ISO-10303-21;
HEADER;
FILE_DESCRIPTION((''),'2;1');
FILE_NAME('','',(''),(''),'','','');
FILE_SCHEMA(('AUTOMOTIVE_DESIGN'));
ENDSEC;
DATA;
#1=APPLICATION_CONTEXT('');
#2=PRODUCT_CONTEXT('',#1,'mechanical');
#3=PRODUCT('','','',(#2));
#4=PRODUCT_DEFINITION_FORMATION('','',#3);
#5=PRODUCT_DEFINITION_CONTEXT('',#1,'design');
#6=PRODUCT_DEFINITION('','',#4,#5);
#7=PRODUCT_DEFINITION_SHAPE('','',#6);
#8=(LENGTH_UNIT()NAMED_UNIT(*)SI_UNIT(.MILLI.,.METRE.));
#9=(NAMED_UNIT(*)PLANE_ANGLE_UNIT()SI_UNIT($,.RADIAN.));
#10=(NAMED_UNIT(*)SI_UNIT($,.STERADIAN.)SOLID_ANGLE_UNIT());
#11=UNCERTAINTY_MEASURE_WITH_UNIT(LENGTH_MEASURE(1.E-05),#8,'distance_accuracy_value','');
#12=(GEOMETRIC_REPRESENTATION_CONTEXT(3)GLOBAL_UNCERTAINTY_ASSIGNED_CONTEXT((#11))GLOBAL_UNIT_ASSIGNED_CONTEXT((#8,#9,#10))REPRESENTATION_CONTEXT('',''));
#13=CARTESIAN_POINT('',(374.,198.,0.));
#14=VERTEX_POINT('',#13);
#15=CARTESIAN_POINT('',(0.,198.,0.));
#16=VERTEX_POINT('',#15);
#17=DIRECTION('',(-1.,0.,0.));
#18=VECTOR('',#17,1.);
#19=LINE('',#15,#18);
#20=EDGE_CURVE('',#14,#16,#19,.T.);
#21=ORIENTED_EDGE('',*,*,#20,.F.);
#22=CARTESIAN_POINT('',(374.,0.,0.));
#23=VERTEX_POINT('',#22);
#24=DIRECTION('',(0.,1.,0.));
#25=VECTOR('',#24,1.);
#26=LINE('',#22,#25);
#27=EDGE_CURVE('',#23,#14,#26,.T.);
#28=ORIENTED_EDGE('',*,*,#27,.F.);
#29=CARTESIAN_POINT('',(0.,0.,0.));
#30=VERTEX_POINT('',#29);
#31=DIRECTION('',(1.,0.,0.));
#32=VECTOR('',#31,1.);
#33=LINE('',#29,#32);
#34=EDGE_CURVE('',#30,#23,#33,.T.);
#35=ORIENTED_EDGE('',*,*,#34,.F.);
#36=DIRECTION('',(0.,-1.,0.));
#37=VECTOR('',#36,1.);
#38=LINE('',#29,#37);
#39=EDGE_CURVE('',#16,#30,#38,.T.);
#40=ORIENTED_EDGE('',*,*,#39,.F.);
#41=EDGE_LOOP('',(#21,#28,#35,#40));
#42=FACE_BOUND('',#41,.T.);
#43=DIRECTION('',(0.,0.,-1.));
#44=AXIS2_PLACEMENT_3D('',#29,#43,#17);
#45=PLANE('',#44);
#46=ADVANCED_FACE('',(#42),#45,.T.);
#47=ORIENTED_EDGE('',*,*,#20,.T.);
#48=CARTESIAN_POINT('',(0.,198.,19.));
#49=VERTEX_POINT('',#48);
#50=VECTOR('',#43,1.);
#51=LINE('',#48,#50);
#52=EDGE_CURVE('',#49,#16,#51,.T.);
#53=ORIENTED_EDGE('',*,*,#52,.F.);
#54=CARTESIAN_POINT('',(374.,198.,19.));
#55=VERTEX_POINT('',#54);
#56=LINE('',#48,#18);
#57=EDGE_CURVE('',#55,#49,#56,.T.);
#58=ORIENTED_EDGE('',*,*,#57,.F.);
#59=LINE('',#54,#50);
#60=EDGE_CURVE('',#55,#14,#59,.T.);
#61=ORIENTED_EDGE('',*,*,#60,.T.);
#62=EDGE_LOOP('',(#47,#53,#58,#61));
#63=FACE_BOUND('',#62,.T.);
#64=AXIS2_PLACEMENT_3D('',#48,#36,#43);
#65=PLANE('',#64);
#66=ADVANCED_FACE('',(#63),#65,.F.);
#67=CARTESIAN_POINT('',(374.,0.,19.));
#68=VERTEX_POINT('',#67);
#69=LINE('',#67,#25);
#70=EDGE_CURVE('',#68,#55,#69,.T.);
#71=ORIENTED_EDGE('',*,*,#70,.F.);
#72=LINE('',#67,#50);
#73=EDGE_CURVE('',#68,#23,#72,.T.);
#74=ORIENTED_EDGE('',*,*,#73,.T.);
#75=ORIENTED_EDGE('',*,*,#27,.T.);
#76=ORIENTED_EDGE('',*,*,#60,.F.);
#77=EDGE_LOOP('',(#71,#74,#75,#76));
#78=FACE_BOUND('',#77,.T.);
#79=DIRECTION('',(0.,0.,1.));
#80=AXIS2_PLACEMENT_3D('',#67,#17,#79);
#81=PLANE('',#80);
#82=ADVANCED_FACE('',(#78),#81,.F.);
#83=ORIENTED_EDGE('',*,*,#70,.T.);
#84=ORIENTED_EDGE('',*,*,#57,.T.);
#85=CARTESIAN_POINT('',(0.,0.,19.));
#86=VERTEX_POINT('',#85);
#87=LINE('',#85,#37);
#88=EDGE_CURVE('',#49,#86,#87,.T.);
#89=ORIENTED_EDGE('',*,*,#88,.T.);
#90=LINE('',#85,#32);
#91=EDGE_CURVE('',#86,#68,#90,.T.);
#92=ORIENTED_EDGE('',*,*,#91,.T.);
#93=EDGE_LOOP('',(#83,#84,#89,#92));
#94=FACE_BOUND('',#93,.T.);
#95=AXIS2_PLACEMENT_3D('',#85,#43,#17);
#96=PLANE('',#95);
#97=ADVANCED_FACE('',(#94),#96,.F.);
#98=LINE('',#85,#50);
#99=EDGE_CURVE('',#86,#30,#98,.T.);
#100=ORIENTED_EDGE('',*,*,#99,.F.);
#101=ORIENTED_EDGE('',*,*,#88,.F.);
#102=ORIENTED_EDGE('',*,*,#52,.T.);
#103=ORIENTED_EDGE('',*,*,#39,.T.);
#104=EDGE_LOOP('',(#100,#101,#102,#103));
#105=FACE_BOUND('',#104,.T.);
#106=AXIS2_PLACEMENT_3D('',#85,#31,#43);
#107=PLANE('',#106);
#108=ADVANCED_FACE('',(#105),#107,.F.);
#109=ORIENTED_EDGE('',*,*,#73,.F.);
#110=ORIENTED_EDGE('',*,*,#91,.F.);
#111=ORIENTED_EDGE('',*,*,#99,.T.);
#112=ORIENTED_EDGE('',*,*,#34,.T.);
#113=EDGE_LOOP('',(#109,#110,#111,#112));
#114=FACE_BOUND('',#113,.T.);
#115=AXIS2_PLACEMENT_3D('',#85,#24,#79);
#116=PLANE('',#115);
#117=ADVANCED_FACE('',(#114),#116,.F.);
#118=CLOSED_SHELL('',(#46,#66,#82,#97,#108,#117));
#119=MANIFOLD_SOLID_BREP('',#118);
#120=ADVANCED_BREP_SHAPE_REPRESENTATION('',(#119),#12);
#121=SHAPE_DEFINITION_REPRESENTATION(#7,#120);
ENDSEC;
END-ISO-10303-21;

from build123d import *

# Parameters (mm, degrees)
ESQUISSE1_W        = 374
ESQUISSE1_H        = 198
BOSS_EXTRU_1_DEPTH = 19


with BuildPart() as part:
    # Esquisse1 → Boss.-Extru.1 (new body)
    with BuildSketch(Plane.XY):
        with Locations((187, 99)):
            Rectangle(ESQUISSE1_W, ESQUISSE1_H)
    extrude(amount=BOSS_EXTRU_1_DEPTH)


solid = part.part
